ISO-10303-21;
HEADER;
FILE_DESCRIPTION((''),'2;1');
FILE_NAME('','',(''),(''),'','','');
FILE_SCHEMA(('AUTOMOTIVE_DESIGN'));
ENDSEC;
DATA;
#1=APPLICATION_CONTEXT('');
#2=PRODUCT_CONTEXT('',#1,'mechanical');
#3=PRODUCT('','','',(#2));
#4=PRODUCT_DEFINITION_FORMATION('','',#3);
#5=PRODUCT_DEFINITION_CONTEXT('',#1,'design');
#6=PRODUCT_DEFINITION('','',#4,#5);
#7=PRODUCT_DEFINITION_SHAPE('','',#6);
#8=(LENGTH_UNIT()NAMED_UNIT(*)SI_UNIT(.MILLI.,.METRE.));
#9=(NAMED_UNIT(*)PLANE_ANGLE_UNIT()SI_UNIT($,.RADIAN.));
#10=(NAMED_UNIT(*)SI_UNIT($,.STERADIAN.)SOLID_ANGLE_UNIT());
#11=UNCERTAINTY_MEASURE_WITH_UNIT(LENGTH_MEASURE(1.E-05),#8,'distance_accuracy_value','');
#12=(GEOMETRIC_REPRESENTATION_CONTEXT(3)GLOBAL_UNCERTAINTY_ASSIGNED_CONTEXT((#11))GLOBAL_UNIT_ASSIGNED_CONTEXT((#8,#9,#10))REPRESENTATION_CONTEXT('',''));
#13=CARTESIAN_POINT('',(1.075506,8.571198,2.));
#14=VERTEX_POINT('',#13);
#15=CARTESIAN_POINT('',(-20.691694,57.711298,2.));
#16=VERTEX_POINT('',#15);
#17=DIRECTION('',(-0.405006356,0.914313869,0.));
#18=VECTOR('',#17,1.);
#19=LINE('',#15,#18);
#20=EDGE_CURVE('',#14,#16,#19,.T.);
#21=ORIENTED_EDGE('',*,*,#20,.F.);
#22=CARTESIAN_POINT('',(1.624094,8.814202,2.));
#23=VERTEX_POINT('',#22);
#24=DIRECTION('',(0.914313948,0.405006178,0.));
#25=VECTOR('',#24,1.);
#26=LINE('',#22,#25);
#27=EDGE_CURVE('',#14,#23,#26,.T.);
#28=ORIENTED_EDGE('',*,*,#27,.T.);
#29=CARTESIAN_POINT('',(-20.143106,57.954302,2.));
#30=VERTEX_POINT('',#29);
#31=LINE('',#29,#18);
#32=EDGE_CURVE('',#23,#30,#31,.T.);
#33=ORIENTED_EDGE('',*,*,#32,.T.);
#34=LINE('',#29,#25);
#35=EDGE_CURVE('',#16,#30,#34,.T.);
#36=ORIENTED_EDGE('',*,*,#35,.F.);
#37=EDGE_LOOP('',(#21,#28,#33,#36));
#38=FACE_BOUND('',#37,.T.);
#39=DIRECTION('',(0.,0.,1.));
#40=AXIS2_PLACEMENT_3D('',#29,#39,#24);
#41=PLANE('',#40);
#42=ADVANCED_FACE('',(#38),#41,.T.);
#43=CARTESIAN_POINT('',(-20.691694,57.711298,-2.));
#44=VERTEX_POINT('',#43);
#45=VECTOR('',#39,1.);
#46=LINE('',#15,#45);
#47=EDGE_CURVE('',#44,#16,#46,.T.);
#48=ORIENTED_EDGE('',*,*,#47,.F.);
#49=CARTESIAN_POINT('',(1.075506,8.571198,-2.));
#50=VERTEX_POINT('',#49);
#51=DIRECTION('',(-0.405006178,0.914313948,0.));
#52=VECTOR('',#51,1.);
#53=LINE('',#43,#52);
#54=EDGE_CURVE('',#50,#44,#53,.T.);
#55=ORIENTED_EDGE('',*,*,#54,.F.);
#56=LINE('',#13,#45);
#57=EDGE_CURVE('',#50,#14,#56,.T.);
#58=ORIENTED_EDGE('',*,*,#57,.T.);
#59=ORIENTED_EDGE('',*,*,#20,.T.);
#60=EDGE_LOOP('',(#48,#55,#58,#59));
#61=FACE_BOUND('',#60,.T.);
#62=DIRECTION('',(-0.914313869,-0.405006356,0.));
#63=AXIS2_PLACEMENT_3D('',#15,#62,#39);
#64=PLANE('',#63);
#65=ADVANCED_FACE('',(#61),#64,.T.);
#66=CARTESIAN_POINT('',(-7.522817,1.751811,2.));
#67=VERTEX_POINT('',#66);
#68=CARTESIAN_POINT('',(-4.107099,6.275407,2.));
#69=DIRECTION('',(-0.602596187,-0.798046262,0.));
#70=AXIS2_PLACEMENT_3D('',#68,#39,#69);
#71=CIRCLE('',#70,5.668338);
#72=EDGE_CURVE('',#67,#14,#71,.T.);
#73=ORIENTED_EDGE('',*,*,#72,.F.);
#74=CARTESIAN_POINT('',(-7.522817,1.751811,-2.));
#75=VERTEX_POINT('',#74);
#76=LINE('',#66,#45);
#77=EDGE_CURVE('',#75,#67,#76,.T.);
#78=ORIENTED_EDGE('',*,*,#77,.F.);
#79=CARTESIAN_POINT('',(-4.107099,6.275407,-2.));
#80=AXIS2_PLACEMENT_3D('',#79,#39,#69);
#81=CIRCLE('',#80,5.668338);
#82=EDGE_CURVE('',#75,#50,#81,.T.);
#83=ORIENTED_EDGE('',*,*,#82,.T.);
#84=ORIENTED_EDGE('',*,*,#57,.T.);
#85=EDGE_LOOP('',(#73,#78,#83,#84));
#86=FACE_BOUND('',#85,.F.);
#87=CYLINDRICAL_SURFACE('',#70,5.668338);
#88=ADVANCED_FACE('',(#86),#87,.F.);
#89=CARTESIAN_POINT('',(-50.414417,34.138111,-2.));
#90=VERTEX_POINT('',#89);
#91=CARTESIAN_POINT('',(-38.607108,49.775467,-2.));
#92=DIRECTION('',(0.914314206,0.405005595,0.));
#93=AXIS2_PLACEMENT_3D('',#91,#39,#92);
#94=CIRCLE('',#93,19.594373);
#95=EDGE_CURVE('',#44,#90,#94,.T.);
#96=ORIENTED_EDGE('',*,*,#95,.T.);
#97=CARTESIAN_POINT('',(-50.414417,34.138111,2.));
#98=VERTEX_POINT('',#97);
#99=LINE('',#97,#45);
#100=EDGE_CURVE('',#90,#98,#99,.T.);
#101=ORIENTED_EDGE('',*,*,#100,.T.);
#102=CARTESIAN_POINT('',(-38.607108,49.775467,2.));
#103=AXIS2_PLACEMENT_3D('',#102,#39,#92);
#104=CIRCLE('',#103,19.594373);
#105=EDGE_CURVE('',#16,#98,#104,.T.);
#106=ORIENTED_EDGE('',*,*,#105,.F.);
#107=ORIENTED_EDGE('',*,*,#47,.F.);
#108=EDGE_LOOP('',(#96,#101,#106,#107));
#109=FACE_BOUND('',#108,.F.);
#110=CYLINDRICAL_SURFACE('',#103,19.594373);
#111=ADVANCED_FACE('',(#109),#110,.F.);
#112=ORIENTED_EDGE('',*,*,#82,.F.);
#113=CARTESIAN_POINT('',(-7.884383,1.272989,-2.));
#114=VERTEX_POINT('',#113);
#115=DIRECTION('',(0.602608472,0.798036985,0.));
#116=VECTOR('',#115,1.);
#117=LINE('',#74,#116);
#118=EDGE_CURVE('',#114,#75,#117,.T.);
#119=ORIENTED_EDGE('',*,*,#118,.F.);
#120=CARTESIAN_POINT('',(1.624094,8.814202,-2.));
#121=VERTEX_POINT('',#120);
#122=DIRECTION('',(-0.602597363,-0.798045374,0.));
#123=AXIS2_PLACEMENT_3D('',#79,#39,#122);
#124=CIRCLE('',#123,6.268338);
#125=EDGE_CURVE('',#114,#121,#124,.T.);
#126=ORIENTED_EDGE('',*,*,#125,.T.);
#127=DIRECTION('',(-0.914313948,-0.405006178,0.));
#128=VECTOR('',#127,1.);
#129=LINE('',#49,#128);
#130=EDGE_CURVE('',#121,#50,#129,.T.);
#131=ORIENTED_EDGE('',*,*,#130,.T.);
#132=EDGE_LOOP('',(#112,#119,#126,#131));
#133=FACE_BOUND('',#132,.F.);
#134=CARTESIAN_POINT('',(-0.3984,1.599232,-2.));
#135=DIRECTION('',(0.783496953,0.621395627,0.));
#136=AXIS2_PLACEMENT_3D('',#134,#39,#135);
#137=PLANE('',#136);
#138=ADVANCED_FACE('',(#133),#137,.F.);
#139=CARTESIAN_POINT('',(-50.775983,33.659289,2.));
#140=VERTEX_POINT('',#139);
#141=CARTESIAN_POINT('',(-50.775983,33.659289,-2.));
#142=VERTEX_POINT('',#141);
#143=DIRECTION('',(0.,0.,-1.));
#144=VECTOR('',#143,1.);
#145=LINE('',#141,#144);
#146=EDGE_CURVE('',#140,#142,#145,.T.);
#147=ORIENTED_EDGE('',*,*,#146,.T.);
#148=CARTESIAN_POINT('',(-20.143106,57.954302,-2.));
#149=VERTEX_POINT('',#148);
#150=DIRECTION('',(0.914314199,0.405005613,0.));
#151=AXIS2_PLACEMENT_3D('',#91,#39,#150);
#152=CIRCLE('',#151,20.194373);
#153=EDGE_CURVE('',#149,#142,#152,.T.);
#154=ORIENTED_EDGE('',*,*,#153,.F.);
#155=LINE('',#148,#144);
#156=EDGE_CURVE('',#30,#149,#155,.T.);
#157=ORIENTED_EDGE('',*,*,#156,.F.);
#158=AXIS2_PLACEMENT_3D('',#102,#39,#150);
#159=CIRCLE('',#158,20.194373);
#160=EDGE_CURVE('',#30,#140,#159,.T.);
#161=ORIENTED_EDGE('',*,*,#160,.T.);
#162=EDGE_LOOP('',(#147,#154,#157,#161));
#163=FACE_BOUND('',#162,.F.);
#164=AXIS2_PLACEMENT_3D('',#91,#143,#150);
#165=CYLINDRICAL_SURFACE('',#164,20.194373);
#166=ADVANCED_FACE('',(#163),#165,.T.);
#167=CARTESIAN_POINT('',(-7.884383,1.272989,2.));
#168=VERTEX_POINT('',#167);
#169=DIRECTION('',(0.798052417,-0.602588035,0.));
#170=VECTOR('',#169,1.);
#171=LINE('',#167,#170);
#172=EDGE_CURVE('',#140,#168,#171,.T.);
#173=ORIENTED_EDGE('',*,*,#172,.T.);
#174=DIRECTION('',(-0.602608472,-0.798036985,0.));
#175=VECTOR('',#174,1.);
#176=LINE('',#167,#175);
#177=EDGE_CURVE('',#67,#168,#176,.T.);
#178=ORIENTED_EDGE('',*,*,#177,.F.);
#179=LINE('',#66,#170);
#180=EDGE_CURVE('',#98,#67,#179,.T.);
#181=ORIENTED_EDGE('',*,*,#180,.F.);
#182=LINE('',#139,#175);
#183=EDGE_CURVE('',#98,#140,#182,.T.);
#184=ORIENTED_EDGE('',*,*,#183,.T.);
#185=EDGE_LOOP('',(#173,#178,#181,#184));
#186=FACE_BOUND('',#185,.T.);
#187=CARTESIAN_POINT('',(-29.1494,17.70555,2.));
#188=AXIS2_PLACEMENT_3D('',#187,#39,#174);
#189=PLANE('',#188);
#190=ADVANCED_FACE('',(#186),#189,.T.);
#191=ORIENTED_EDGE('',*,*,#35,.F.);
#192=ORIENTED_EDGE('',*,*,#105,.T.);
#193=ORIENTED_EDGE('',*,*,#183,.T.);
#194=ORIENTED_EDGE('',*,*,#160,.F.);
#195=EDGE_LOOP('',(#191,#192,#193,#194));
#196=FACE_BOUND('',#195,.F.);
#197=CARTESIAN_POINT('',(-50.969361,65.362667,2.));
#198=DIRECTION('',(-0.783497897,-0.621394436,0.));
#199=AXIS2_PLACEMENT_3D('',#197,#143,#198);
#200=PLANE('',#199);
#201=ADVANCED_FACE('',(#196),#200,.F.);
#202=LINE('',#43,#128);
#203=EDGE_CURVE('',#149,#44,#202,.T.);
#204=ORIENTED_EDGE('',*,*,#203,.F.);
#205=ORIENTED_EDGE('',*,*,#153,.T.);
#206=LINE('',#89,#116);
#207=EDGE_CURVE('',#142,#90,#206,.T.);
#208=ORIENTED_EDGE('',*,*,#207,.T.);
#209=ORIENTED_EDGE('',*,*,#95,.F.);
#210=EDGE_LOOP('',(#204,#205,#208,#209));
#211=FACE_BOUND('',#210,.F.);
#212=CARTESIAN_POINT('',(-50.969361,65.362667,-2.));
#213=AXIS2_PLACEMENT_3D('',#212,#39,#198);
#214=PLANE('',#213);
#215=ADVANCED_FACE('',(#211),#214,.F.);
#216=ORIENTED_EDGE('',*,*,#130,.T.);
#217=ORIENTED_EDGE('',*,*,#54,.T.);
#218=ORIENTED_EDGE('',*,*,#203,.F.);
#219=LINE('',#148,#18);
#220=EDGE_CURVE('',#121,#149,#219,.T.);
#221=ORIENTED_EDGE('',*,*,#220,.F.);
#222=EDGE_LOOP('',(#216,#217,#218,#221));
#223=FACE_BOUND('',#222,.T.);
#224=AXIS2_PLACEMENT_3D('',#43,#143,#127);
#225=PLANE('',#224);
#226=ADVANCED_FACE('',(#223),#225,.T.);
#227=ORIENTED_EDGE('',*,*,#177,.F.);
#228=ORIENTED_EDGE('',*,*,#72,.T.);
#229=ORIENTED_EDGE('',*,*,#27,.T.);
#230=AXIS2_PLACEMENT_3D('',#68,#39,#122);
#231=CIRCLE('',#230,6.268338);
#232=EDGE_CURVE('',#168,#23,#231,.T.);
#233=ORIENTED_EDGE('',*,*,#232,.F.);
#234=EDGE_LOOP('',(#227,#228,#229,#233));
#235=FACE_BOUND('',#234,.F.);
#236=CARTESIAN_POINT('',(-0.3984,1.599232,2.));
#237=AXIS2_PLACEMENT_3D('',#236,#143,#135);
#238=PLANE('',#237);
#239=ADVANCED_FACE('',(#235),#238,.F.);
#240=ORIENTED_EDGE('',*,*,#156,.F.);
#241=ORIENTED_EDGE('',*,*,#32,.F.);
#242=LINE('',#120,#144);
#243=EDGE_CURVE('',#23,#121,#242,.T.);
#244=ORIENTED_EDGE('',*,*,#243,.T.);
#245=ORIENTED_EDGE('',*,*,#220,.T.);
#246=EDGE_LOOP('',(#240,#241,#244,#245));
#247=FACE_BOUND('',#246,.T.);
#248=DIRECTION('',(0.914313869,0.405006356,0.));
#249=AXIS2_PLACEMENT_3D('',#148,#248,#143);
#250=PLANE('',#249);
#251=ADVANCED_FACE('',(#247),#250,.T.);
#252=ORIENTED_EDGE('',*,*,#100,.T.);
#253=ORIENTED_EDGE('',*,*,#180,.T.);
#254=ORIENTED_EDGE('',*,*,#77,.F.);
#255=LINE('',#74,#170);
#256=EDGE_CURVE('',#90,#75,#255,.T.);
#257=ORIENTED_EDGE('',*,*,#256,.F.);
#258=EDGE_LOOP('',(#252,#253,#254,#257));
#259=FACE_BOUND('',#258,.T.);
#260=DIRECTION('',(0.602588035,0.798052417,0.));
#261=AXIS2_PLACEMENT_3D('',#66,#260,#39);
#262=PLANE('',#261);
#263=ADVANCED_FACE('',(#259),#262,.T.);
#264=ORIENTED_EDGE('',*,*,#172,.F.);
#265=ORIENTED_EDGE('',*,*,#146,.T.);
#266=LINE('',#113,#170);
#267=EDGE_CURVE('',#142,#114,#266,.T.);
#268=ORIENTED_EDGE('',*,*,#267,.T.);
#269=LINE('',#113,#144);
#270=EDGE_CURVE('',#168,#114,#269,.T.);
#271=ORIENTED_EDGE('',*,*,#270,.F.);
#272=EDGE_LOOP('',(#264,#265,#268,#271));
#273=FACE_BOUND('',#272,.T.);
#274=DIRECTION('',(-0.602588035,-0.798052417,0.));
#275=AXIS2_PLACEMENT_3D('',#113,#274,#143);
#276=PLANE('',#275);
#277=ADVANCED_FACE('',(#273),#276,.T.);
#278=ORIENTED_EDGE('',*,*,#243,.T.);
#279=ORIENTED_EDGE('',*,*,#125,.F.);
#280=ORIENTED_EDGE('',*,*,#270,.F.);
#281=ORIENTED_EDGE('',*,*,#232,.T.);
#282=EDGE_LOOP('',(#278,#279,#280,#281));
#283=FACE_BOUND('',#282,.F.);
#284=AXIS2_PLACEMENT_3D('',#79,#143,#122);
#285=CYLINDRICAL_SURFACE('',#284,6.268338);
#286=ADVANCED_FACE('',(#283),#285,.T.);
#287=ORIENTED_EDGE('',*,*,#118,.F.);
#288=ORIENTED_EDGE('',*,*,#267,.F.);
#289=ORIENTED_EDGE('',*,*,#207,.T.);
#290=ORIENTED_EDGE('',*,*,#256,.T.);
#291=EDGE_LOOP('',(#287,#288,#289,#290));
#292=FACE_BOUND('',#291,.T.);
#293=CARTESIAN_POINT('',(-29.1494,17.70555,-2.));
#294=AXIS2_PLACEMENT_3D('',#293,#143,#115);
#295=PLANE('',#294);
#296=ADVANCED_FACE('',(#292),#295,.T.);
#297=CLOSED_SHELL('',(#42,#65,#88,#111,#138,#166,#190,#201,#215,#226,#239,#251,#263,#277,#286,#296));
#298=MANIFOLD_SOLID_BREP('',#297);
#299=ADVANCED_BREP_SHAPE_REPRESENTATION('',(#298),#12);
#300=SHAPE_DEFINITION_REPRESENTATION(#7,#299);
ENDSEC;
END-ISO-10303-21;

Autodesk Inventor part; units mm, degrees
sketch "Sketch Path" plane through (0, 0, 0) normal (0, 0, 1) x (1, 0, 0)
  arc A0 (-7.7036, 1.5124) -> (1.3498, 8.6927) centre (-4.1071, 6.2755) ccw
  arc A1 (-20.4174, 57.8328) -> (-50.5952, 33.8987) centre (-38.6071, 49.7755) ccw
  line L0 (-20.4174, 57.8328) -> (1.3498, 8.6927)
  line L1 (-7.7036, 1.5124) -> (-50.5952, 33.8987)
ref_plane "Cross Section Plane" through (1.3498, 8.6927, 0) normal (-0.405, 0.9143, 0) x (0, 0, 1)
ref_plane "Work Plane2" through (-4.1071, 6.2755, 0) normal (-1, 0, 0) x (0, 0, 1)
ref_plane "Work Plane3" through (-38.6071, 49.7755, 0) normal (0.7621, -0.6475, 0) x (0, 0, 1)
sketch "Cross Section" plane through (1.3498, 8.6927, 0) normal (-0.405, 0.9143, 0) x (0, 0, 1)
  line L0 (-2, 0.3) -> (2, 0.3)
  line L1 (2, 0.3) -> (2, -0.3)
  line L2 (2, -0.3) -> (-2, -0.3)
  line L3 (-2, -0.3) -> (-2, 0.3)
  line L4 (-2, 0) -> (2, 0) construction
  point P0 (0, 0)
  point P1 (0, 0)
  dimension "d0" = 4
  dimension "d4" = 0.3
  dimension "d5" = 0.3
sweep "Belt" add profiles "Cross Section" path "Sketch Path"
equation "\"d0\" = da_B"
equation "\"d4\" = da_a"
equation "\"d5\" = da_a2"
equation "\"da_B\" = 4"
equation "\"da_pb\" = 2.5"
equation "\"da_L\" = 195.80225"
equation "\"da_a\" = 0.3"
equation "\"da_S\" = 1.5"
equation "\"da_Beta\" = 20deg"
equation "\"da_Ht\" = 0.7"
equation "\"da_H\" = 1.3"
equation "\"da_a2\" = 0.3"
properties part number "Synchronous Belt" material "Rubber"
